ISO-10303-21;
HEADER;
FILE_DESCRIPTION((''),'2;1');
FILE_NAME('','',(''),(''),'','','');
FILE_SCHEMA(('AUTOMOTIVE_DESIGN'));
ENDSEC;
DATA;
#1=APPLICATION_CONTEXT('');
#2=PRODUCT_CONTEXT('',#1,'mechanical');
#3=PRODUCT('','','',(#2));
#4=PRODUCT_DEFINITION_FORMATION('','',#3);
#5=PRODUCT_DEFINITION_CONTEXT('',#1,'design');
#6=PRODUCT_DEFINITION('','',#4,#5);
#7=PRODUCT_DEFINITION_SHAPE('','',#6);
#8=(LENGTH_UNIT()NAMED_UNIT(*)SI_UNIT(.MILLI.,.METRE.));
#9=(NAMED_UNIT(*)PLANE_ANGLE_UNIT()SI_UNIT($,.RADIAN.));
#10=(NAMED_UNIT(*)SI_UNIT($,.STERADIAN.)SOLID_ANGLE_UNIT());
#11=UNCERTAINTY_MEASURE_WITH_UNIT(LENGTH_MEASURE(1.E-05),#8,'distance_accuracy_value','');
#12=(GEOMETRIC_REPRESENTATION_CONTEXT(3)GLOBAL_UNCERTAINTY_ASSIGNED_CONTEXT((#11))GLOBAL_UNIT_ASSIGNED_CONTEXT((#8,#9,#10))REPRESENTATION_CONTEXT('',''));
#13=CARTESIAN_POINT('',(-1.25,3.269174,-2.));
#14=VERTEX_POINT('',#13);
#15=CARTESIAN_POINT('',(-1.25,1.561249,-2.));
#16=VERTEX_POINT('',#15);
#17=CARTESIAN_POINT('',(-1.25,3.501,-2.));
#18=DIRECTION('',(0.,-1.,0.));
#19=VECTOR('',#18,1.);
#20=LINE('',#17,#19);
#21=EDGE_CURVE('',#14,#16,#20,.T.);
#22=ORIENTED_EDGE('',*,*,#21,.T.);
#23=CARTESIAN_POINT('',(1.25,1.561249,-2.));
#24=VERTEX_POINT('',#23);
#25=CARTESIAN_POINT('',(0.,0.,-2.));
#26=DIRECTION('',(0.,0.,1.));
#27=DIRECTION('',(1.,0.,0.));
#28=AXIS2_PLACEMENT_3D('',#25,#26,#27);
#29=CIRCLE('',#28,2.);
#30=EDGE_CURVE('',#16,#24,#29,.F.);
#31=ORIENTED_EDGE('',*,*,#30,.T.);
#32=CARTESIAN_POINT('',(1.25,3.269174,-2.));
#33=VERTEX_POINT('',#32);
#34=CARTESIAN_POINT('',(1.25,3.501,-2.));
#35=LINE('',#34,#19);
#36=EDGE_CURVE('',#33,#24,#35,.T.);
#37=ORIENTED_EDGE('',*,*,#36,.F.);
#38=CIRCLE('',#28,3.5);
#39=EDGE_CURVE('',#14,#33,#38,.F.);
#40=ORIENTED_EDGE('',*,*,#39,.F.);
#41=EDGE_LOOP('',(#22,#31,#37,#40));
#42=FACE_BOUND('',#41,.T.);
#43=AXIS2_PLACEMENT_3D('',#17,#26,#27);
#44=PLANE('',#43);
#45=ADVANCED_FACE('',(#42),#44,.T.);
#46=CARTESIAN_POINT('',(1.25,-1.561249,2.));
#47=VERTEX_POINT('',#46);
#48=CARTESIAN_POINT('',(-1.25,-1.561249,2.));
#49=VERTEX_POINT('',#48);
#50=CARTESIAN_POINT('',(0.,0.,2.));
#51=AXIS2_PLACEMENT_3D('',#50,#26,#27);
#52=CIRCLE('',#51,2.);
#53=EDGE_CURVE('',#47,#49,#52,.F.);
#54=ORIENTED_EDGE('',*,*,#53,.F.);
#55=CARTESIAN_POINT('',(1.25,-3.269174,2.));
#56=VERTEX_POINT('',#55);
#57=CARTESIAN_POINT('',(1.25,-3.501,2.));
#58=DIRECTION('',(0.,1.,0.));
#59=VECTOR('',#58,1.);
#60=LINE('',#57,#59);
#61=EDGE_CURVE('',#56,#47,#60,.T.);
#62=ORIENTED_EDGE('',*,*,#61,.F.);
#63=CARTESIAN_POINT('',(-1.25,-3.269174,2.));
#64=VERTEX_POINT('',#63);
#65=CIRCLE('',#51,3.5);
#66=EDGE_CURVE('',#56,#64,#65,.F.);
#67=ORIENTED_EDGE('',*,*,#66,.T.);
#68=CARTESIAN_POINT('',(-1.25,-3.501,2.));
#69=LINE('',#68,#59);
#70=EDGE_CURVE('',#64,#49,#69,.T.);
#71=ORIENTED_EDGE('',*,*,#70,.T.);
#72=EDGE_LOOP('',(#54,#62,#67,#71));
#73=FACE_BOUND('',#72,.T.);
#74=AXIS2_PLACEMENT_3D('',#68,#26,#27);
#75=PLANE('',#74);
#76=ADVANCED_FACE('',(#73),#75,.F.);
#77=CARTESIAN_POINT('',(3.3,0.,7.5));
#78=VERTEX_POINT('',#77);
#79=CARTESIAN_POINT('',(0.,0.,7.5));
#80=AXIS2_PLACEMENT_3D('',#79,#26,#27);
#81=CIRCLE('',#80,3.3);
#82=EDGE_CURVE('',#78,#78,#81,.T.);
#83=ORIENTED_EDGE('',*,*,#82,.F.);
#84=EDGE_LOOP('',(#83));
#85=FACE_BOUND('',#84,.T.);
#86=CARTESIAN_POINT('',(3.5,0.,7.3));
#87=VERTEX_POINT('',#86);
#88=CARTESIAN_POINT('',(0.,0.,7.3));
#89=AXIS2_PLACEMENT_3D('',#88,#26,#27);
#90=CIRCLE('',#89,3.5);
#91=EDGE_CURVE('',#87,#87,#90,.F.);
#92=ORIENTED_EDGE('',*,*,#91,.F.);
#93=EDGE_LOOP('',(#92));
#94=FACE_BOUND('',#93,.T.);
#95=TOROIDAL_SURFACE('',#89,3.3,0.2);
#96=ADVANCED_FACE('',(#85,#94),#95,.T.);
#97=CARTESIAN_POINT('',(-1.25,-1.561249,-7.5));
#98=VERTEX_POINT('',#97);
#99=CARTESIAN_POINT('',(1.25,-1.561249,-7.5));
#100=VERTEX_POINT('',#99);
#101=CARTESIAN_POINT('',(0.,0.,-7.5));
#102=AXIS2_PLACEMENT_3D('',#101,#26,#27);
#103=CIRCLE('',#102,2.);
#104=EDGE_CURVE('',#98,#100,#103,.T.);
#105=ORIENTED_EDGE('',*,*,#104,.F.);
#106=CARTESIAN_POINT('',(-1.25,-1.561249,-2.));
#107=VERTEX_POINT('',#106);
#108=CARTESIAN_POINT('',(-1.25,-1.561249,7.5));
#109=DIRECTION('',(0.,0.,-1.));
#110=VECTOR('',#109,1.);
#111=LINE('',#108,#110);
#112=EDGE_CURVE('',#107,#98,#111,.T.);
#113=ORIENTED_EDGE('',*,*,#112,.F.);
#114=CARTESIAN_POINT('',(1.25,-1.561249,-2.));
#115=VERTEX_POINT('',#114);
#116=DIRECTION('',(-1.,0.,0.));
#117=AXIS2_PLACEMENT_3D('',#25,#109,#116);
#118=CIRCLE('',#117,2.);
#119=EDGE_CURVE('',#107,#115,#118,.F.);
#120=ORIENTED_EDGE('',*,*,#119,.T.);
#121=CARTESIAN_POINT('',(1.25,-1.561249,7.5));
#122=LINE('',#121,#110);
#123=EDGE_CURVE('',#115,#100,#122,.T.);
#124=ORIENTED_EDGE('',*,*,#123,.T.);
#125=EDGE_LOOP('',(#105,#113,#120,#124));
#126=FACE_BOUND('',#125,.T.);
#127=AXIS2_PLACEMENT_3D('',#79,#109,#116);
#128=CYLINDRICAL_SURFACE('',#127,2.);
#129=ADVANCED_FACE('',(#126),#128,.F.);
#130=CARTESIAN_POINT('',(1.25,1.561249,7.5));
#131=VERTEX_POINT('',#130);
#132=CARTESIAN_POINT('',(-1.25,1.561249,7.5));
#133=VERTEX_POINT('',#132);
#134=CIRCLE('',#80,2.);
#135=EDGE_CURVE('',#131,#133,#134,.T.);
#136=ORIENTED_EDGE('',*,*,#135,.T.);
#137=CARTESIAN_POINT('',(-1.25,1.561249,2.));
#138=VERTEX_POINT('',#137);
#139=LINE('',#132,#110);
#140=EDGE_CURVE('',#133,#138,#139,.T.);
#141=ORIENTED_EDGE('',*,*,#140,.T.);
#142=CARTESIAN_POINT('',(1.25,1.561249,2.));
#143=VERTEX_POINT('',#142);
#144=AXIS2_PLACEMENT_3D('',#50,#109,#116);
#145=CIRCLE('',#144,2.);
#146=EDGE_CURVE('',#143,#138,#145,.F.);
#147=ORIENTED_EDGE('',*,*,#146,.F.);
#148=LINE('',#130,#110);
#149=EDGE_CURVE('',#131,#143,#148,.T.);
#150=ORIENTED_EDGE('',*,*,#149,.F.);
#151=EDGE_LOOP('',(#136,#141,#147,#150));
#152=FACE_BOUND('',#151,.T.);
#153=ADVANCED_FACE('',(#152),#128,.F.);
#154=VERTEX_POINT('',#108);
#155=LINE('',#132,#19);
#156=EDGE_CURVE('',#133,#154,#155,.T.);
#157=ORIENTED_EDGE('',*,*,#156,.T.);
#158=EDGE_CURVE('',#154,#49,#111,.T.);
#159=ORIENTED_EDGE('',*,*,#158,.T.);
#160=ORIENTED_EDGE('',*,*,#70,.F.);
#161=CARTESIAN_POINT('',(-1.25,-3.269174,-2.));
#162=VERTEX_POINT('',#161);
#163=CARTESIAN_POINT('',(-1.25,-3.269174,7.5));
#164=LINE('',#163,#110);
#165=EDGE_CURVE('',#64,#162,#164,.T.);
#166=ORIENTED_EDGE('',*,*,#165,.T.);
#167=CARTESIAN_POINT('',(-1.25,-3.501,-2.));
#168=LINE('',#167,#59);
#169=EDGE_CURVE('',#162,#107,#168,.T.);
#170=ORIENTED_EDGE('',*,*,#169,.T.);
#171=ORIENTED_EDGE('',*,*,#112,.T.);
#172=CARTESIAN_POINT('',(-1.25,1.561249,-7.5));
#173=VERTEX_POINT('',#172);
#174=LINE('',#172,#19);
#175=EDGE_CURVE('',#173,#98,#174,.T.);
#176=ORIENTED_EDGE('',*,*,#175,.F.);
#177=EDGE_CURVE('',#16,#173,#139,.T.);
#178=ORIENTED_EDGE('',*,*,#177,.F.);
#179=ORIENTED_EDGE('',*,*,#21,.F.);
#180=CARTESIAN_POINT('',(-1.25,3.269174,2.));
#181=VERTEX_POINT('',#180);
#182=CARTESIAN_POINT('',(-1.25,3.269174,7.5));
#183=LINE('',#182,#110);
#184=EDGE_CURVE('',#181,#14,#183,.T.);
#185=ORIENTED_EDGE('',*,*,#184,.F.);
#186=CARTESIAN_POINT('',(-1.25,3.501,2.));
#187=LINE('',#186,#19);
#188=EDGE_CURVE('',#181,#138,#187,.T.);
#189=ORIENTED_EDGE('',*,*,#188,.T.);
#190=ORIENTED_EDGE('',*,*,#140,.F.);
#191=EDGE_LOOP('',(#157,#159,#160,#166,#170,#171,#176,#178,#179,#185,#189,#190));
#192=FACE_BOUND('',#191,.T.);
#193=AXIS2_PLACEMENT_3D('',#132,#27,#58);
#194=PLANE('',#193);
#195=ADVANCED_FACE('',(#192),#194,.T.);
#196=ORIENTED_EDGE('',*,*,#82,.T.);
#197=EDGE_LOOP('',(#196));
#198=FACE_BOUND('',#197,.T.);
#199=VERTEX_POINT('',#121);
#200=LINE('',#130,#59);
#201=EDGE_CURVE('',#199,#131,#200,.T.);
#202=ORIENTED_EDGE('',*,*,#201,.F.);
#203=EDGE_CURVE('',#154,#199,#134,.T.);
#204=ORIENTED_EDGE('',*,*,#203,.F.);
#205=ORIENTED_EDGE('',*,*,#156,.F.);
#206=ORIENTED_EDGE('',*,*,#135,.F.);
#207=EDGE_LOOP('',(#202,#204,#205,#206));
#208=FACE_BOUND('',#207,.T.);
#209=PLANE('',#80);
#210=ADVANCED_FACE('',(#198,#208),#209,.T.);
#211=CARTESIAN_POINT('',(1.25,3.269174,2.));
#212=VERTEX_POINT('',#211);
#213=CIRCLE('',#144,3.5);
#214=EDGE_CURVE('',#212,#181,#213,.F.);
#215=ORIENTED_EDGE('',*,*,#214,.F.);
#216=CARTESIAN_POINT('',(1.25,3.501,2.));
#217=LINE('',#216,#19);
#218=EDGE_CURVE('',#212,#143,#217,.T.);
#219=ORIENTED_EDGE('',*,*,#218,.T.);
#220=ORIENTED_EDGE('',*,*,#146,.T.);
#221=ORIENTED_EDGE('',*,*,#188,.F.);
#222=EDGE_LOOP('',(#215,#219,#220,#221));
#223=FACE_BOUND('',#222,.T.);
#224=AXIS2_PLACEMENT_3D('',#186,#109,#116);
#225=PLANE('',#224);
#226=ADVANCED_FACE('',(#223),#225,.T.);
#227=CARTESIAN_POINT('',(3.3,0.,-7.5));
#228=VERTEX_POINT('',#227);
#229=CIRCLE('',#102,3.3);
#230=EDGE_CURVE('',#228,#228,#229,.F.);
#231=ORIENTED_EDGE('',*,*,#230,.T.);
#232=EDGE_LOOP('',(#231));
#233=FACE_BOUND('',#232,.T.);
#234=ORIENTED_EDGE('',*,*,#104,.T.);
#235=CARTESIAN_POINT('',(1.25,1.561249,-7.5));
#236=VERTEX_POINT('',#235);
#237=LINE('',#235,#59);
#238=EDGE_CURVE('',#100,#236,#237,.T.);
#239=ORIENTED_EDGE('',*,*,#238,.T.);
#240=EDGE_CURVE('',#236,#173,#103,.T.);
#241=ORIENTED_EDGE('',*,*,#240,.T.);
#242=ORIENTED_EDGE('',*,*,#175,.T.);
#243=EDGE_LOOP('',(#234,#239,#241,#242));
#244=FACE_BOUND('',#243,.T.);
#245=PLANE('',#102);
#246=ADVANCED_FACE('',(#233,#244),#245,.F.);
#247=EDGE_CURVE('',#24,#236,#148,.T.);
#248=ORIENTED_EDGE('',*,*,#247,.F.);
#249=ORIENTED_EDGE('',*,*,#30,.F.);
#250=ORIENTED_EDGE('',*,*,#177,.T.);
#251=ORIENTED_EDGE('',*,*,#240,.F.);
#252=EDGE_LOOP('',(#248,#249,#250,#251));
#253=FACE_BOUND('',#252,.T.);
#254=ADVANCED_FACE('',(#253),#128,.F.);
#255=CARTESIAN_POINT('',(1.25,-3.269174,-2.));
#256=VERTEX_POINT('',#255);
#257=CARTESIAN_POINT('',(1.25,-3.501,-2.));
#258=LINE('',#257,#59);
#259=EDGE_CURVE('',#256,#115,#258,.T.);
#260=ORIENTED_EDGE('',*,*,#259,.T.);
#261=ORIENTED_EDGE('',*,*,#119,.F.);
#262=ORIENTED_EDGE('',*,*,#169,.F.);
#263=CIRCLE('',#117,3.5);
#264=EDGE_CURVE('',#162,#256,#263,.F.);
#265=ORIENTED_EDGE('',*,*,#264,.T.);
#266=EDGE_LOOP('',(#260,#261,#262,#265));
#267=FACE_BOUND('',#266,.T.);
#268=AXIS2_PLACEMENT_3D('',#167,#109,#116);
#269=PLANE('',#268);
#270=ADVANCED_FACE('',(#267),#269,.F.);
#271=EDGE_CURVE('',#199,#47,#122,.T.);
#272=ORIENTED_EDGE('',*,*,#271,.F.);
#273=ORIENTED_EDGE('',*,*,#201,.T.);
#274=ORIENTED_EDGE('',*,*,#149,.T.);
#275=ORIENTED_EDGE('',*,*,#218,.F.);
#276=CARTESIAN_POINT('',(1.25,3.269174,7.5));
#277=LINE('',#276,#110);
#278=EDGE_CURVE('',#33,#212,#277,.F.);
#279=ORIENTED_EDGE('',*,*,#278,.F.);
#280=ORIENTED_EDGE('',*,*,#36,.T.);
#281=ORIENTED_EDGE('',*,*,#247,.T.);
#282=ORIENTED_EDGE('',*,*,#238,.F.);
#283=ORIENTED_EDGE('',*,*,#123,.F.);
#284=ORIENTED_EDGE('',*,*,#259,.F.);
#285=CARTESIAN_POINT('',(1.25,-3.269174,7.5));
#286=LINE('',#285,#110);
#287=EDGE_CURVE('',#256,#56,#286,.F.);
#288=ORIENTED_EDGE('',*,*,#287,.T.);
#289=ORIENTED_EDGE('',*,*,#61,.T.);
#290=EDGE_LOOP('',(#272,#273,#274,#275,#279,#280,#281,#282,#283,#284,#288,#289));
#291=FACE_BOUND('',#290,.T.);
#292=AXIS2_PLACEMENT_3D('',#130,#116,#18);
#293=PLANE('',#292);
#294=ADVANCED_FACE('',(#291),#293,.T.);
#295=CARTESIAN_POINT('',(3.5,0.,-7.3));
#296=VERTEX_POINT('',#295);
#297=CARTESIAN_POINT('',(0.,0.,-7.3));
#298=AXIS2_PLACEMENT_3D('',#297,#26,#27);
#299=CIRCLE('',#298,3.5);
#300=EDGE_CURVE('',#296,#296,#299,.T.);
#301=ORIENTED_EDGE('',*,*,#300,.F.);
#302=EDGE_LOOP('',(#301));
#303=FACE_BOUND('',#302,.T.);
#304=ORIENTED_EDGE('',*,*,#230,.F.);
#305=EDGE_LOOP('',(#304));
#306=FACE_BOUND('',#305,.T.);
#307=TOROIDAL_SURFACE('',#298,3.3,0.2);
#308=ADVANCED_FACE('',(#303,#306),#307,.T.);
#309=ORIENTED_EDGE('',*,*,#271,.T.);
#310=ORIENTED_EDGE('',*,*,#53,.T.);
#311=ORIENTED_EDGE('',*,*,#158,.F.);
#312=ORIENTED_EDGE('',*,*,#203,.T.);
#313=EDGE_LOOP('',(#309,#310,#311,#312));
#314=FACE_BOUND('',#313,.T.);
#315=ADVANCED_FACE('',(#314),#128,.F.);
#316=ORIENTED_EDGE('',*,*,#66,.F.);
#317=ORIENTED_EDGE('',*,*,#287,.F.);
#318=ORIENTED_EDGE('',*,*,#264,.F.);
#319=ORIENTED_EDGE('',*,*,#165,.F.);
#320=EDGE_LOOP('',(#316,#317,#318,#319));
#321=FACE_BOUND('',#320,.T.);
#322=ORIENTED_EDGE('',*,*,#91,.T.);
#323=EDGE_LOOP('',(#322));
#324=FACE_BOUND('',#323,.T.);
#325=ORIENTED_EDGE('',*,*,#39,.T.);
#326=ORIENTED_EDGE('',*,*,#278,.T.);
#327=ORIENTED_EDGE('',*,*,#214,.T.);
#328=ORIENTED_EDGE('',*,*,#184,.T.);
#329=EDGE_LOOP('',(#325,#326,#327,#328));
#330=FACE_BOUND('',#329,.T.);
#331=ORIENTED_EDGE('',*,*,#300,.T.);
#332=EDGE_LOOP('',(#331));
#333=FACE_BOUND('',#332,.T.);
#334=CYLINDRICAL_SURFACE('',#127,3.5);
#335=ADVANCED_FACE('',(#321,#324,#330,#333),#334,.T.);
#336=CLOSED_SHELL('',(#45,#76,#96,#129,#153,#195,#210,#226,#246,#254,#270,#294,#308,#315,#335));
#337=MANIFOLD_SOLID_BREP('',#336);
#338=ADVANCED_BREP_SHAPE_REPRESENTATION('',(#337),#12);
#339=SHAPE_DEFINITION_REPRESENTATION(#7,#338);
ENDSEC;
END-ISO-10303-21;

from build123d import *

# Parameters (mm, degrees)
EXTRUDE_1_DEPTH                 = 7.5
EXTRUDE_1_DEPTH_BACK            = 7.5
SKETCH_1_R                      = 3.5
CUT_EXTRUDE_1_REACH             = 10.986
SKETCH_2_W                      = 2.5
SKETCH_2_H                      = 4
CUT_EXTRUDE_1_DIRECTION_2_REACH = 10.986
FILLET_1_R                      = 0.2


with BuildPart() as part:
    # 草图1 → 凸台-拉伸1 (new, two sides: drawn at the far end of the back side and taken through both)
    with BuildSketch(Plane.XY.offset(-EXTRUDE_1_DEPTH_BACK)):
        Circle(SKETCH_1_R)
        with BuildLine():
            Line((-1.25, 1.5612495), (-1.25, -1.5612495))
            ThreePointArc((-1.25, -1.5612495), (0, -2), (1.25, -1.5612495))
            Line((1.25, -1.5612495), (1.25, 1.5612495))
            ThreePointArc((1.25, 1.5612495), (0, 2), (-1.25, 1.5612495))
        make_face(mode=Mode.SUBTRACT)
    extrude(amount=EXTRUDE_1_DEPTH + EXTRUDE_1_DEPTH_BACK)

    # 草图2 → 切除-拉伸1 (cut, up to next)
    with BuildSketch(Plane(origin=(0, 0, 0), x_dir=(1, 0, 0), z_dir=(0, 1, 0)), mode=Mode.PRIVATE) as cut_extrude_1_sk1:
        Rectangle(SKETCH_2_W, SKETCH_2_H)
    cut_extrude_1_tool1 = extrude(cut_extrude_1_sk1.sketch, amount=-CUT_EXTRUDE_1_REACH, mode=Mode.PRIVATE) & part.part
    add(cut_extrude_1_tool1.solids().sort_by_distance((0, 0, 0))[0], mode=Mode.SUBTRACT)

    # 草图2 → 切除-拉伸1 direction 2 (cut, up to next)
    with BuildSketch(Plane(origin=(0, 0, 0), x_dir=(1, 0, 0), z_dir=(0, 1, 0)), mode=Mode.PRIVATE) as cut_extrude_1_direction_2_sk1:
        Rectangle(SKETCH_2_W, SKETCH_2_H)
    cut_extrude_1_direction_2_tool1 = extrude(cut_extrude_1_direction_2_sk1.sketch, amount=CUT_EXTRUDE_1_DIRECTION_2_REACH, mode=Mode.PRIVATE) & part.part
    add(cut_extrude_1_direction_2_tool1.solids().sort_by_distance((0, 0, 0))[0], mode=Mode.SUBTRACT)

    # 圆角1
    fillet_1_edges = [part.edges().sort_by_distance(p)[0] for p in [
        (-3.5, 0, -7.5),
        (-3.5, 0, 7.5),
    ]]
    fillet(fillet_1_edges, radius=FILLET_1_R)


solid = part.part
